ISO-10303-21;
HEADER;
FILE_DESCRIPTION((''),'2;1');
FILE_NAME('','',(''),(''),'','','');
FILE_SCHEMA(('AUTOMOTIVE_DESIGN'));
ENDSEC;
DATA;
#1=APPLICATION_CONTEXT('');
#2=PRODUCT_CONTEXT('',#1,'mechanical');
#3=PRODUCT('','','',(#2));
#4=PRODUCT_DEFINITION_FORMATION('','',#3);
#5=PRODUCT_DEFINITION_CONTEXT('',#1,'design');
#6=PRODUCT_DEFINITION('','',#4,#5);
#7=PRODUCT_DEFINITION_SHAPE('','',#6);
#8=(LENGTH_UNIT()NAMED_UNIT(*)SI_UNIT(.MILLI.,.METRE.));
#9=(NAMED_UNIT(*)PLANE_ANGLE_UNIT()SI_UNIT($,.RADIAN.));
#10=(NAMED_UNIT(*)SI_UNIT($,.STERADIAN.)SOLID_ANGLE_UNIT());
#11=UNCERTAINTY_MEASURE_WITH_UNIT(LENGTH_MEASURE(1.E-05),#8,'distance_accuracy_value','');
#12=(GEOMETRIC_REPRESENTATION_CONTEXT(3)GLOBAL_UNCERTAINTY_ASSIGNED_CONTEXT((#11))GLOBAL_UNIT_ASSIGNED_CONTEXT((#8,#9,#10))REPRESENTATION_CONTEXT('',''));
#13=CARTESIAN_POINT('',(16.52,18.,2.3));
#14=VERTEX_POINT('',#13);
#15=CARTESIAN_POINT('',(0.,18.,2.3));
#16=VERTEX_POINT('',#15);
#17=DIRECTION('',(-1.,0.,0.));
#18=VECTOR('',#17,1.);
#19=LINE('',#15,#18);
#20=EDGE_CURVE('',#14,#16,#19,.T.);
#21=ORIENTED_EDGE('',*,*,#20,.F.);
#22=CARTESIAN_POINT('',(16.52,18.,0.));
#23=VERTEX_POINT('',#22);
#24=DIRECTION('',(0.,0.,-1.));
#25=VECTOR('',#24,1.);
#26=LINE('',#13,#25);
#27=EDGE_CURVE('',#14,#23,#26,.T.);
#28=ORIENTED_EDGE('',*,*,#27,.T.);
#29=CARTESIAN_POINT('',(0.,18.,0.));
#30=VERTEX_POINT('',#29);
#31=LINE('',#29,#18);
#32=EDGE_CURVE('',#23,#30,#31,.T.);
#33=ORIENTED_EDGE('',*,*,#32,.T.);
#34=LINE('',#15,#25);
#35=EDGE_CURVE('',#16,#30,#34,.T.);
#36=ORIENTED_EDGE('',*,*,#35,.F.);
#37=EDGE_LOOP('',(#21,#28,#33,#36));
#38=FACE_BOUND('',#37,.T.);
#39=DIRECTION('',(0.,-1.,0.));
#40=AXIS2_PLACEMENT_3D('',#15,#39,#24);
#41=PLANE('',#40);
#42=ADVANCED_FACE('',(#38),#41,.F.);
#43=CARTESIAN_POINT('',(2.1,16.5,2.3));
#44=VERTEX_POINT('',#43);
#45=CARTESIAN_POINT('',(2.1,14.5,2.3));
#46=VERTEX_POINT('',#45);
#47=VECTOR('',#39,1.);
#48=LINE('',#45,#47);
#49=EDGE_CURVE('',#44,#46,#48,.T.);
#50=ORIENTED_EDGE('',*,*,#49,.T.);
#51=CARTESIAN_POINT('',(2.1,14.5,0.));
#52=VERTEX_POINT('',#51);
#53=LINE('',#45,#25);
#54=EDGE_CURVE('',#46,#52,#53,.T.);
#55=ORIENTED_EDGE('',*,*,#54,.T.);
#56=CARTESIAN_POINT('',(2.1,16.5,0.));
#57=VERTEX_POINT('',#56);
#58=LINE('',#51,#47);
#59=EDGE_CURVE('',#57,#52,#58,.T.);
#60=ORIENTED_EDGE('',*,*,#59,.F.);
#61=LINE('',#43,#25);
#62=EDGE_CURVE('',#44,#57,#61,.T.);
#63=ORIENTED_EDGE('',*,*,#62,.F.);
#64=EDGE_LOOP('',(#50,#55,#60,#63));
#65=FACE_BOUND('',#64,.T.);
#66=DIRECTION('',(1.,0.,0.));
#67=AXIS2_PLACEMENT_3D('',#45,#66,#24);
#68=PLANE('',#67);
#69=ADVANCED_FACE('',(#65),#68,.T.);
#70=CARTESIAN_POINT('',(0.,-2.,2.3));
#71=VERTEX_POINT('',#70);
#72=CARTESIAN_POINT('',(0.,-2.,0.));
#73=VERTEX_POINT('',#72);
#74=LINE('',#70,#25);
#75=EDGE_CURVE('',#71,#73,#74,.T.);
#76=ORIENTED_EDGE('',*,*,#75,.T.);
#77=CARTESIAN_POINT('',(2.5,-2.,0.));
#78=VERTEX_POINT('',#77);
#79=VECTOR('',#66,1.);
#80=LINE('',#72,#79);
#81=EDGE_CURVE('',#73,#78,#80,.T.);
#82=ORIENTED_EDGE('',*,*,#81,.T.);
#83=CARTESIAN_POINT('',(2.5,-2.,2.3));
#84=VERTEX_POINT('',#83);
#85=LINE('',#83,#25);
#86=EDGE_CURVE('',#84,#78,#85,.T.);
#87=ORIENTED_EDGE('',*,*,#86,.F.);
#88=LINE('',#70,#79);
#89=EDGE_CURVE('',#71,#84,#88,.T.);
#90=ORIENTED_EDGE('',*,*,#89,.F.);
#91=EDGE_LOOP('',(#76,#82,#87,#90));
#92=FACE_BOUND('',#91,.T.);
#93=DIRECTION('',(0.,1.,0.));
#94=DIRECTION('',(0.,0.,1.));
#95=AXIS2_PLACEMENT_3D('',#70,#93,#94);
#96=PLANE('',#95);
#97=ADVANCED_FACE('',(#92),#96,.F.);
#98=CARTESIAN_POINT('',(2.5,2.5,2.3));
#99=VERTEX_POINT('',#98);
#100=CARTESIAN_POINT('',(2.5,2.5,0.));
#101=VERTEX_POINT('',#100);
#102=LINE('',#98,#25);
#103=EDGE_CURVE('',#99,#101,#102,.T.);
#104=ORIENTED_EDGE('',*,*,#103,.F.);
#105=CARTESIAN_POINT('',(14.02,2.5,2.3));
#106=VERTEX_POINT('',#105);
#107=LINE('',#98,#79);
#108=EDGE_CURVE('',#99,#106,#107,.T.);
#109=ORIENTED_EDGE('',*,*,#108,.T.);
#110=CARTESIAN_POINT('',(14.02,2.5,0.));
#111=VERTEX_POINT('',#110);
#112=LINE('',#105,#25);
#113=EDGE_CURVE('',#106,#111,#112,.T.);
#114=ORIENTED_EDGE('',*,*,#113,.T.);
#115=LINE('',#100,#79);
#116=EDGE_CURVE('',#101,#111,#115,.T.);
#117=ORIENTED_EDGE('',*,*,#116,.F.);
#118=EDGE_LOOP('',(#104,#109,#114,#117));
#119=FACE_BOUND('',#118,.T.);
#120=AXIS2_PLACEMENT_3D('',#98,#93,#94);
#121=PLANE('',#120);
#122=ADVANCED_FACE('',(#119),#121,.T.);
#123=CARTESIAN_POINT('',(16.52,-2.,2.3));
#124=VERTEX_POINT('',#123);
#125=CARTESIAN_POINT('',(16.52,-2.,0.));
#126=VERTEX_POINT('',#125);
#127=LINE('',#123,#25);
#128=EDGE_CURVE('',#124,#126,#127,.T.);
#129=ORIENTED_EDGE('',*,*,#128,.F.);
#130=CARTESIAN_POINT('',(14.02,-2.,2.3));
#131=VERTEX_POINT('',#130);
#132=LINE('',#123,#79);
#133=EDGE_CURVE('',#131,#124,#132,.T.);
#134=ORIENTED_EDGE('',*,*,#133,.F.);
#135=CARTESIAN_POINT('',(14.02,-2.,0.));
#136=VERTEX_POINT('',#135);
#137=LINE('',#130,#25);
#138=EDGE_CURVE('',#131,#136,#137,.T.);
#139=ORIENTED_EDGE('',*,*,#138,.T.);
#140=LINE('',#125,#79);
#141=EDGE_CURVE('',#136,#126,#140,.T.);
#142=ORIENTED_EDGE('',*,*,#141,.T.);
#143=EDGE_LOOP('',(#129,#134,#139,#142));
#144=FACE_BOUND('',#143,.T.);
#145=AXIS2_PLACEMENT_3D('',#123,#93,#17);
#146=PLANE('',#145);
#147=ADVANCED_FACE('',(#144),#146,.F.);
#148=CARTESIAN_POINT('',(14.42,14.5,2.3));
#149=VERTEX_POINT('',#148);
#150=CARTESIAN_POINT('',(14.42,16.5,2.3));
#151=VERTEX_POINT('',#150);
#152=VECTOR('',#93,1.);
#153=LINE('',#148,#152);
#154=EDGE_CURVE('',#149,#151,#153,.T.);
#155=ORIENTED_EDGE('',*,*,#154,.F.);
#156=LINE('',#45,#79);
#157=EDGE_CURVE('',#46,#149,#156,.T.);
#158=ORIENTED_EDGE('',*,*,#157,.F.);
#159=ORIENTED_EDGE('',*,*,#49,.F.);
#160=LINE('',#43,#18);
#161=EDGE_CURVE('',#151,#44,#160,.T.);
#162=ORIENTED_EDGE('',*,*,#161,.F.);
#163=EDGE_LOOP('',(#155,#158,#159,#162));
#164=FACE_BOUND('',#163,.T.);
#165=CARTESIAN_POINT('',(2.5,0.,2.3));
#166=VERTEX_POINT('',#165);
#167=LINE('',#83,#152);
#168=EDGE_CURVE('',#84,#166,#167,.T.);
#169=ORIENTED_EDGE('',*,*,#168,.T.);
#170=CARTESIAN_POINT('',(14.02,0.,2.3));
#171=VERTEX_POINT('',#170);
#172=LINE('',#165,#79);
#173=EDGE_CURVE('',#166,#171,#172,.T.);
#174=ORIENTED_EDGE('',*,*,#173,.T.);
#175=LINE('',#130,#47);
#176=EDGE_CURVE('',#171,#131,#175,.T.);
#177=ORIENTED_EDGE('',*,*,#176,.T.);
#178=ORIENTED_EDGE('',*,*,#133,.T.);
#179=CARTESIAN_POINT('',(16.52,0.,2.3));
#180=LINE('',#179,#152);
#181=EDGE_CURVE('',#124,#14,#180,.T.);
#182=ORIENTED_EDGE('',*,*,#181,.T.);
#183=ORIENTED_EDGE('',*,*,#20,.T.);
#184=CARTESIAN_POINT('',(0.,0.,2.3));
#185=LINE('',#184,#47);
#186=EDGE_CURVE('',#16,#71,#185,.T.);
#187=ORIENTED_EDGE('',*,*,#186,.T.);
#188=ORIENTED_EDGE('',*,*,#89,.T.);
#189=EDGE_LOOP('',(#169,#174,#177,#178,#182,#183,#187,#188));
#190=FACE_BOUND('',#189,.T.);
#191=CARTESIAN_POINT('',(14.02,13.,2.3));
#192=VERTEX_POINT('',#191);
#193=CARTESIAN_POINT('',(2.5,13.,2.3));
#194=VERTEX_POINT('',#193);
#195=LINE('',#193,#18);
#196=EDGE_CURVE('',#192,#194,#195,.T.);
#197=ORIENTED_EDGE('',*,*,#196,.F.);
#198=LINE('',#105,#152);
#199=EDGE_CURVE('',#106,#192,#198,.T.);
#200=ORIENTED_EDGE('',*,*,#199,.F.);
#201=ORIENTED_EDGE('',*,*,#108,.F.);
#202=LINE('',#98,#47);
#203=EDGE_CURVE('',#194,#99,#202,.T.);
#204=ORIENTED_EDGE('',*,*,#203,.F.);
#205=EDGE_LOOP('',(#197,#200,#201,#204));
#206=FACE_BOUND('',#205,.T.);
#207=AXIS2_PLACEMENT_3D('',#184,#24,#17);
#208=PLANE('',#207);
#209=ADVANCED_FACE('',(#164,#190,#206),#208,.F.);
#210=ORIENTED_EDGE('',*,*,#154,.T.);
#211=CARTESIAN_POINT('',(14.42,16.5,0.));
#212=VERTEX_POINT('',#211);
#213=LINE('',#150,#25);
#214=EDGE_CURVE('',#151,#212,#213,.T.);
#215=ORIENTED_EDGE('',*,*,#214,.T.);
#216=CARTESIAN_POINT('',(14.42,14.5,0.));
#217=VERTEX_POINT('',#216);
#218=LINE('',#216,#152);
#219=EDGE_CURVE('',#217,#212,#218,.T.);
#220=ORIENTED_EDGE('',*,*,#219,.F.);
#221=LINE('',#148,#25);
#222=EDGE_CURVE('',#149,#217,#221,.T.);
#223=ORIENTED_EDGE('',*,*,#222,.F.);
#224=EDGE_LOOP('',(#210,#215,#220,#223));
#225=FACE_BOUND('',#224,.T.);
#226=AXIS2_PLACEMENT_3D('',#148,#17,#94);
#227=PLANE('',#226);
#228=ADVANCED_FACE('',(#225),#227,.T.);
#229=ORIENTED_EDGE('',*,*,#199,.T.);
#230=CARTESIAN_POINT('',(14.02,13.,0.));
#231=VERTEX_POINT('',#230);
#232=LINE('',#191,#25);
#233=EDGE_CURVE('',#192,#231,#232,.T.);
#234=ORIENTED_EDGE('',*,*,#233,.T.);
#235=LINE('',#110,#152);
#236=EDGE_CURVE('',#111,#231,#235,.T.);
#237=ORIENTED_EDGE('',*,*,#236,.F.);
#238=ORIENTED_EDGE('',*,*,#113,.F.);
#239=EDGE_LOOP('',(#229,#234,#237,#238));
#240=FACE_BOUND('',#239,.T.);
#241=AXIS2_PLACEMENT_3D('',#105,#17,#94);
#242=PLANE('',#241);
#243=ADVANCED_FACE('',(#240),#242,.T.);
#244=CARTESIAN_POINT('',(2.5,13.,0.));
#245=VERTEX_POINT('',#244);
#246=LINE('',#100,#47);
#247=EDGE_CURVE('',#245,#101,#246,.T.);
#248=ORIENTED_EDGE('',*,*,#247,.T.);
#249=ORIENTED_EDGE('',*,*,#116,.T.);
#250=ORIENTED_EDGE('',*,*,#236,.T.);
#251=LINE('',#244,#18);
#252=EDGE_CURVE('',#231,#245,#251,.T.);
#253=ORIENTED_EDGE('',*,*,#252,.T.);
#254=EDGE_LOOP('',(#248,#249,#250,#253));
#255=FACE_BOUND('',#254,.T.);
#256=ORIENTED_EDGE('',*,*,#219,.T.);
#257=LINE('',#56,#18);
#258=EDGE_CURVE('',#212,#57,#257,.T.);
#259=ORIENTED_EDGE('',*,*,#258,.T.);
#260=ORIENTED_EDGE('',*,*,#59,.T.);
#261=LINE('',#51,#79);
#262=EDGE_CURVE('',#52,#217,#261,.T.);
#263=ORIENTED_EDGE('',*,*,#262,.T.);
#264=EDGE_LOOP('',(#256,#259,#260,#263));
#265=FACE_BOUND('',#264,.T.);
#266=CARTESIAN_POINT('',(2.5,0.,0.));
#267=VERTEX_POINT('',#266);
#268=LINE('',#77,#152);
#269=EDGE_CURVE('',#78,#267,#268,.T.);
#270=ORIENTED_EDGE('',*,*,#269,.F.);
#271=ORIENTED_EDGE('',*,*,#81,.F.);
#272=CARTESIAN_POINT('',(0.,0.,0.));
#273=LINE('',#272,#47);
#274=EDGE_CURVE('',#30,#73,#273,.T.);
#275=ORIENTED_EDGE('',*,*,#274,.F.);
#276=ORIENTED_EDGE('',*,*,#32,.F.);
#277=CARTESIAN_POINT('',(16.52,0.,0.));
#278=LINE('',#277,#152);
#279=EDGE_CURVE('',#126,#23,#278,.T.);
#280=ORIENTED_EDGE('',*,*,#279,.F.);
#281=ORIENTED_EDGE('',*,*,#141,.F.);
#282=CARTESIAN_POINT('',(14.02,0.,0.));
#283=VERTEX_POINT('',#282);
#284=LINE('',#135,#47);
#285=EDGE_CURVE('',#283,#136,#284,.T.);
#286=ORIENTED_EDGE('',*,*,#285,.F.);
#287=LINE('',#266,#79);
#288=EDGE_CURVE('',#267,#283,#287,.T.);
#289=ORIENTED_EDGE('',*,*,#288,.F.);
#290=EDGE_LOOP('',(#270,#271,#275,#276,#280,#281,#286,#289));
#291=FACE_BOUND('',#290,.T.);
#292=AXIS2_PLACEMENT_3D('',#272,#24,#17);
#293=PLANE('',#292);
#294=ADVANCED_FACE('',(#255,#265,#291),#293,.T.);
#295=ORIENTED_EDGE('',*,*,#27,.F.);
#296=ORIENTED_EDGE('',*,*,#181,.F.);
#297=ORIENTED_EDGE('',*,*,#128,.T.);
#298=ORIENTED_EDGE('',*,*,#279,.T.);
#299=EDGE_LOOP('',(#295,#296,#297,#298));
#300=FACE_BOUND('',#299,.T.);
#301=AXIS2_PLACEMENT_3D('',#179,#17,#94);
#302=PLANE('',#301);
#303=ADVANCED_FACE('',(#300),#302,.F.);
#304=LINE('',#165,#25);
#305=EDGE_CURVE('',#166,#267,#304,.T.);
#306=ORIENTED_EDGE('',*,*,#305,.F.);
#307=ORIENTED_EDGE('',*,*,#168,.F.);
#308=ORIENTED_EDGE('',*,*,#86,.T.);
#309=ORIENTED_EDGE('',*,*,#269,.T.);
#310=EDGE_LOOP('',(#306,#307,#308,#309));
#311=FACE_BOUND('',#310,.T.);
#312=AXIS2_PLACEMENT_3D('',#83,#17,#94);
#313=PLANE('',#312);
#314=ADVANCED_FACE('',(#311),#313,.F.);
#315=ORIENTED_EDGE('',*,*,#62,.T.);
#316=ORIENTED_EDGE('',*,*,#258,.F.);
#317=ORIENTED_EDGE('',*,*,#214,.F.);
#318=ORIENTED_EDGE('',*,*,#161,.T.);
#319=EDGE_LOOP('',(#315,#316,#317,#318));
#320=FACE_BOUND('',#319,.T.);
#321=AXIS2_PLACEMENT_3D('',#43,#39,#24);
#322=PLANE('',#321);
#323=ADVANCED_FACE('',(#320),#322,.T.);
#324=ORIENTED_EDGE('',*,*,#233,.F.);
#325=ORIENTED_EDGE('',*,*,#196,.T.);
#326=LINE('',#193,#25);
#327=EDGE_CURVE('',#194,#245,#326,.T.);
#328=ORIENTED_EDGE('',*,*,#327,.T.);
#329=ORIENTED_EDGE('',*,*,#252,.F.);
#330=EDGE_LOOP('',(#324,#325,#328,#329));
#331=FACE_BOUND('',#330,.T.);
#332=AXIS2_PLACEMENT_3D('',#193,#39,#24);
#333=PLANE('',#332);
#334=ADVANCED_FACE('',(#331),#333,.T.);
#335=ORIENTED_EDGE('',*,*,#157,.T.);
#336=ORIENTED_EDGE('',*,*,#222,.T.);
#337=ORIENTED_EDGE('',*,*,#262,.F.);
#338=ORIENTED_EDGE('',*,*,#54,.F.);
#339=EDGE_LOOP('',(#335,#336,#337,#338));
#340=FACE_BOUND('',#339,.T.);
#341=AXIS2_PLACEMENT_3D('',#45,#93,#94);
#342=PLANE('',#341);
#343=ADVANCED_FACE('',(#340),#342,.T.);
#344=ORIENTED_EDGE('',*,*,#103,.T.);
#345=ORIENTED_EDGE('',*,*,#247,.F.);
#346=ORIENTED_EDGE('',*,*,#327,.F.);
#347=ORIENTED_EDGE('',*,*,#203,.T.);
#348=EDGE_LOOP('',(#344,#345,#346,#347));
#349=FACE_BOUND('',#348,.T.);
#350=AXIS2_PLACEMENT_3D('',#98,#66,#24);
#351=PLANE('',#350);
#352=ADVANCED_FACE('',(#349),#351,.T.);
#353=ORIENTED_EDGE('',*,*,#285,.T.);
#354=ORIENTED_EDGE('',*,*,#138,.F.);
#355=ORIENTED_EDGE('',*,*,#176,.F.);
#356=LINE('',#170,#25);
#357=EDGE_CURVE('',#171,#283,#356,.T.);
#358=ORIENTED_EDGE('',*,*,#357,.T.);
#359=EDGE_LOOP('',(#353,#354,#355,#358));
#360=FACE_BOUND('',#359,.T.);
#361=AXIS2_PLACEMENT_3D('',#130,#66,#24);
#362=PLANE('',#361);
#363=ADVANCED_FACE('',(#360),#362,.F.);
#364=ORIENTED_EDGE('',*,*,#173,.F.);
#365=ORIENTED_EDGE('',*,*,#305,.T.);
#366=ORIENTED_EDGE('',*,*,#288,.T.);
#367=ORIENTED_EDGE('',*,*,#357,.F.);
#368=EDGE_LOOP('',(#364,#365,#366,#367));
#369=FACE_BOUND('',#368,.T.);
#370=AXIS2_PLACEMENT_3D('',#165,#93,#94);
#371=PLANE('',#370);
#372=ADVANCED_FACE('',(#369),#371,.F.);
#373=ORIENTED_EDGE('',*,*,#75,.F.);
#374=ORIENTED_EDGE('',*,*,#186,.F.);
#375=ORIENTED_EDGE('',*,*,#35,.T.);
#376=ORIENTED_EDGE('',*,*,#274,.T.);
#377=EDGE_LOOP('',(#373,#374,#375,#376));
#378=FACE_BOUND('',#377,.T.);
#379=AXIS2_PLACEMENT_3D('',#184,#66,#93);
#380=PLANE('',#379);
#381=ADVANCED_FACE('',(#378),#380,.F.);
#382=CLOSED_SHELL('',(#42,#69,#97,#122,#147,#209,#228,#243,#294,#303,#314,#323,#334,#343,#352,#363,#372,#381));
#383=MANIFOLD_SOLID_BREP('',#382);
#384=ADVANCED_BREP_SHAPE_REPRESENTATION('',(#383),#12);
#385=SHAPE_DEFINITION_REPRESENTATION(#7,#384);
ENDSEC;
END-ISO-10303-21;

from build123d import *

# Parameters (mm, degrees)
SKETCH1_W           = 11.52
SKETCH1_H           = 10.5
SKETCH1_W_2         = 12.32
SKETCH1_H_2         = 2
BOSS_EXTRUDE1_DEPTH = 2.3


with BuildPart() as part:
    # Sketch1 → Boss-Extrude1 (new body)
    with BuildSketch(Plane.XY):
        Polygon((0, 0), (0, -2), (2.5, -2), (2.5, 0), (14.02, 0), (14.02, -2), (16.52, -2), (16.52, 0), (16.52, 18), (0, 18), align=None)
        with Locations((8.26, 7.75)):
            Rectangle(SKETCH1_W, SKETCH1_H, mode=Mode.SUBTRACT)
        with Locations((8.26, 15.5)):
            Rectangle(SKETCH1_W_2, SKETCH1_H_2, mode=Mode.SUBTRACT)
    extrude(amount=BOSS_EXTRUDE1_DEPTH)


solid = part.part
